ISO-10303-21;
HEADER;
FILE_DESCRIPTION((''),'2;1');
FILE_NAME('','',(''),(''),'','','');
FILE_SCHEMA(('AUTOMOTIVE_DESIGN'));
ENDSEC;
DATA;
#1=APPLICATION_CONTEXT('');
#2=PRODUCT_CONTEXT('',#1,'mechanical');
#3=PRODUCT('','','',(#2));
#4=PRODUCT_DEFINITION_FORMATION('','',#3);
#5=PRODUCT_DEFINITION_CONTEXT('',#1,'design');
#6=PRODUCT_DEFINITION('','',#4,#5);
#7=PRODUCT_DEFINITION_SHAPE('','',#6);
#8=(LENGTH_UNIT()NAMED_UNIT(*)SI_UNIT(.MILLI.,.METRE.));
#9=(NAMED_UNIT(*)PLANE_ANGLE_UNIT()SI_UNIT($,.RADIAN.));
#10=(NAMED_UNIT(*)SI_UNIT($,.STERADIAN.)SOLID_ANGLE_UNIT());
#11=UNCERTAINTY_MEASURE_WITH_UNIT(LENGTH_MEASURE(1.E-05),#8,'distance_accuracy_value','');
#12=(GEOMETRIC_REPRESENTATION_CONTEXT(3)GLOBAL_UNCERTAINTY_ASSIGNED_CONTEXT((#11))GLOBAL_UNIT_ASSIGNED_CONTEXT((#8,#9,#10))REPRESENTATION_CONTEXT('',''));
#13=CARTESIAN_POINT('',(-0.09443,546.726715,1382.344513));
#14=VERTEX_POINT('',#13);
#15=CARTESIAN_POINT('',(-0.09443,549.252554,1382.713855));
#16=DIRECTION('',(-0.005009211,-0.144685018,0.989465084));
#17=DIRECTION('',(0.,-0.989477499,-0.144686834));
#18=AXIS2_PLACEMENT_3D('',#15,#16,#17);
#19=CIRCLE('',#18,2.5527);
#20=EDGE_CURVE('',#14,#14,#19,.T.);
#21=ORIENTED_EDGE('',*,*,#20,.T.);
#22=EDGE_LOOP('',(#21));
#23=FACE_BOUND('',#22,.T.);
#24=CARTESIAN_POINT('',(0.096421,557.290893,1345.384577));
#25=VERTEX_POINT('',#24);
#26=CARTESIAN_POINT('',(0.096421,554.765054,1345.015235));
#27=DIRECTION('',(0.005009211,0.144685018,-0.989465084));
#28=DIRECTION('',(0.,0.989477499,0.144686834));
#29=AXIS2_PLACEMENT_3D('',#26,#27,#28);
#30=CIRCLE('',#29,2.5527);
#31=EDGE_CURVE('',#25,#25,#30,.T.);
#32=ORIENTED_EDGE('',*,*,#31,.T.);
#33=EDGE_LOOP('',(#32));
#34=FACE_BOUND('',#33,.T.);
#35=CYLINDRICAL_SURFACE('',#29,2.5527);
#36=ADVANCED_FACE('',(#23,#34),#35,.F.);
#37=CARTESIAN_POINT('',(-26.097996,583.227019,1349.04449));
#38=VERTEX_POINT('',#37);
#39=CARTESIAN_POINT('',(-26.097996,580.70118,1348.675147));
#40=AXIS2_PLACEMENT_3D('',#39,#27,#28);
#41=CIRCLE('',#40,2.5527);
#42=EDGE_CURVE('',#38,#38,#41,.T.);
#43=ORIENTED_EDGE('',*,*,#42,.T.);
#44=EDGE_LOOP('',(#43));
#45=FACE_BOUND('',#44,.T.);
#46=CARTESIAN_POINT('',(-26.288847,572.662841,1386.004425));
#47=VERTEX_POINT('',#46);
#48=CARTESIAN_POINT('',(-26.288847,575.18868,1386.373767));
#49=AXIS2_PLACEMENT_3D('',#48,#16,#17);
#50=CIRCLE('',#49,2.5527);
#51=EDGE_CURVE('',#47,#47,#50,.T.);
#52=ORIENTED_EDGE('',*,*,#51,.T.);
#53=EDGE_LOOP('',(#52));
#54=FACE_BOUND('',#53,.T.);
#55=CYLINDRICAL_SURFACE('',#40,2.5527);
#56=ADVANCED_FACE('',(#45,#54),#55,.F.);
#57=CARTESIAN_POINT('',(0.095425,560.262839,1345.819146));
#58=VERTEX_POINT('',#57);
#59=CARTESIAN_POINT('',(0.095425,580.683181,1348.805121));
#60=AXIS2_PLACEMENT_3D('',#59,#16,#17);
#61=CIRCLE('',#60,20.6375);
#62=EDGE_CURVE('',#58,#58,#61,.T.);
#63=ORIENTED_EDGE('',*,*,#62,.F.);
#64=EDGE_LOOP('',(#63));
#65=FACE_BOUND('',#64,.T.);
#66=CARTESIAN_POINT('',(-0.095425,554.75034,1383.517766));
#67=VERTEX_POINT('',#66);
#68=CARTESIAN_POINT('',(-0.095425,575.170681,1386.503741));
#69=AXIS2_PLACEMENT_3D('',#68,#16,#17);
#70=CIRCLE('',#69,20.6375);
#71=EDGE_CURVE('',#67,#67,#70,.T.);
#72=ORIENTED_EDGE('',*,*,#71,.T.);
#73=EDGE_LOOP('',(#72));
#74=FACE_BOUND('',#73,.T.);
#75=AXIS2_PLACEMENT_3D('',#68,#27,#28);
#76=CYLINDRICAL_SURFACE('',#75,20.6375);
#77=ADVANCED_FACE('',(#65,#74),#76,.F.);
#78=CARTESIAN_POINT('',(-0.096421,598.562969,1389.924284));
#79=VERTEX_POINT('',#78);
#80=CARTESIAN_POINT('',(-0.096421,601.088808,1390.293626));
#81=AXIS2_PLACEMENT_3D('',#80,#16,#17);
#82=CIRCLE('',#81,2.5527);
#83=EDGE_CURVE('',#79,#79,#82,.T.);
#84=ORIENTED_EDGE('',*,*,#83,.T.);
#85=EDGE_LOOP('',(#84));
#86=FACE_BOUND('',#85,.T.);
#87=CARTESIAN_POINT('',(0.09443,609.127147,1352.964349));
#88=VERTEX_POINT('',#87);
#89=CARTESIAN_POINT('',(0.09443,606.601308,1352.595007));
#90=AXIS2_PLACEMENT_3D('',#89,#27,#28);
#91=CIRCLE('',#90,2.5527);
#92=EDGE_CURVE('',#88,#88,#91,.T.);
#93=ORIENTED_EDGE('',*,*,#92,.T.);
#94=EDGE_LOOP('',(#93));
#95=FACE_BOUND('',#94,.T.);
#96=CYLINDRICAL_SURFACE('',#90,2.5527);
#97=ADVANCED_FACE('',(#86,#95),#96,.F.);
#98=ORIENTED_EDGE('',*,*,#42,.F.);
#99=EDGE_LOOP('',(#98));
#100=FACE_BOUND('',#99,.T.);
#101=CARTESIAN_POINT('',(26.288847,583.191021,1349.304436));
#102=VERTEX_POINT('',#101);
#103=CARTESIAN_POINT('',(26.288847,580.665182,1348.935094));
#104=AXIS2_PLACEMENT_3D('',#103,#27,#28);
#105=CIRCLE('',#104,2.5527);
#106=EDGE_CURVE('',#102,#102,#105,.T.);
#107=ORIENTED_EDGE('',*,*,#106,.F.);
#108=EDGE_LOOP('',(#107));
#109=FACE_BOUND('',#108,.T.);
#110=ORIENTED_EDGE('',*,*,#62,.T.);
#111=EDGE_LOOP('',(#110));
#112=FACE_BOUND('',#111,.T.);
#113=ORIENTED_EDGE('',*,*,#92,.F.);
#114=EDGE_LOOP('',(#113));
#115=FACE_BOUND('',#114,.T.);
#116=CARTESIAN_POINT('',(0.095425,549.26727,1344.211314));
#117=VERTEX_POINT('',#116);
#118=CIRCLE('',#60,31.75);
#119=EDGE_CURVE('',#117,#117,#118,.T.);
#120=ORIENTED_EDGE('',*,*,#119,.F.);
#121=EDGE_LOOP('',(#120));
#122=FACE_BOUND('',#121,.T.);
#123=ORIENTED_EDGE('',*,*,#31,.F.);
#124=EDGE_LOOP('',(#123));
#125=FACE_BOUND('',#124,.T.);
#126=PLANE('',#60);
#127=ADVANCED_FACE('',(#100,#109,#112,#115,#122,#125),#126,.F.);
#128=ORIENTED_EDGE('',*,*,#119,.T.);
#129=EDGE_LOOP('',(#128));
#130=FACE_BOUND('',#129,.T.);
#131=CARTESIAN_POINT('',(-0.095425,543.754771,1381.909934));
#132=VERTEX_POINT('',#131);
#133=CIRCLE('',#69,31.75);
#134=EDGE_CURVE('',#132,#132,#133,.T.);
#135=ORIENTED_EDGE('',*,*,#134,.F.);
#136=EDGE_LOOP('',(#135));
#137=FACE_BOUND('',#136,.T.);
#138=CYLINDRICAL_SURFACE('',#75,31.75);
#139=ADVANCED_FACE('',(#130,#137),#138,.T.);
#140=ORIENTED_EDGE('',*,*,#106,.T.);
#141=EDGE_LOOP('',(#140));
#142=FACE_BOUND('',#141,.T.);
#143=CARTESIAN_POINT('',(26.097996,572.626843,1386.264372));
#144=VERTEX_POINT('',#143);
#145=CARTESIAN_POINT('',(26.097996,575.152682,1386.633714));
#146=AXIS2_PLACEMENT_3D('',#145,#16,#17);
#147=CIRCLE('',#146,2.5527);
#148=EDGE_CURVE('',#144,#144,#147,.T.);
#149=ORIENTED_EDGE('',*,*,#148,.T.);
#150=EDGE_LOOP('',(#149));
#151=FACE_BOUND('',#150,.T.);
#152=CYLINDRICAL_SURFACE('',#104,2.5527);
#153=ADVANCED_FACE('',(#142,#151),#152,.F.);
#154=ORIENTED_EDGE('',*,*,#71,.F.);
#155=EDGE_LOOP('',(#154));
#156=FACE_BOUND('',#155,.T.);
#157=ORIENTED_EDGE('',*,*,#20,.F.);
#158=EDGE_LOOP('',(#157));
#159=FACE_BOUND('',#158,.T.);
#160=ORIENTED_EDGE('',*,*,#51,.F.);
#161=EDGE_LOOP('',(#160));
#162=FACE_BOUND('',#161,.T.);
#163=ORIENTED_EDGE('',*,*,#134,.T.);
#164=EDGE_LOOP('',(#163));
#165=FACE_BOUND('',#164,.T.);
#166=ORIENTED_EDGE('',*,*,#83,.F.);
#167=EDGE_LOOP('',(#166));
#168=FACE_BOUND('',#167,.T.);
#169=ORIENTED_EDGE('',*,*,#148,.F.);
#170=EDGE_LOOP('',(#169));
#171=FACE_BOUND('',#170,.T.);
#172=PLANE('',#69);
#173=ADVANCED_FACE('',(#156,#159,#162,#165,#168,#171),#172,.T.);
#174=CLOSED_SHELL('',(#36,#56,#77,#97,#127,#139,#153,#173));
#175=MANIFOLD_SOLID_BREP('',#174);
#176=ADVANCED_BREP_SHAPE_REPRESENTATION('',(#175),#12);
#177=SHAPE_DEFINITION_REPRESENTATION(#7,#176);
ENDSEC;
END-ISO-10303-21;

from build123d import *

# Parameters (mm, degrees)
SKETCH1_R                   = 31.75
SKETCH1_R_2                 = 20.6375
BOSS_EXTRUDE1_DEPTH         = 19.05
F_1_4_20_TAPPED_HOLE1_D     = 5.1054
F_1_4_20_TAPPED_HOLE1_DEPTH = 38.1


with BuildPart() as part:
    # Sketch1 → Boss-Extrude1 (new body, symmetric)
    with BuildSketch(Plane(origin=(0, 577.92693102, 1367.654430732), x_dir=(0.999987453, -0.000687148, 0.004962002), z_dir=(-0.005009211, -0.144685018, 0.989465084))):
        Circle(SKETCH1_R)
        Circle(SKETCH1_R_2, mode=Mode.SUBTRACT)
    extrude(amount=BOSS_EXTRUDE1_DEPTH, both=True)

    # 1/4-20 Tapped Hole1
    with Locations(Plane(origin=(-6.264413672, -180.940036548, 1237.404194636), x_dir=(-0.999987401, 0.001044934, -0.004909685), z_dir=(0.005009211, 0.144685018, -0.989465084))):
        with Locations((-32.304604681, 769.73877208), (-6.101384965, 795.923048939), (20.082891894, 769.719829223), (-6.120327822, 743.535552364)):
            Hole(F_1_4_20_TAPPED_HOLE1_D / 2, depth=F_1_4_20_TAPPED_HOLE1_DEPTH)


solid = part.part
